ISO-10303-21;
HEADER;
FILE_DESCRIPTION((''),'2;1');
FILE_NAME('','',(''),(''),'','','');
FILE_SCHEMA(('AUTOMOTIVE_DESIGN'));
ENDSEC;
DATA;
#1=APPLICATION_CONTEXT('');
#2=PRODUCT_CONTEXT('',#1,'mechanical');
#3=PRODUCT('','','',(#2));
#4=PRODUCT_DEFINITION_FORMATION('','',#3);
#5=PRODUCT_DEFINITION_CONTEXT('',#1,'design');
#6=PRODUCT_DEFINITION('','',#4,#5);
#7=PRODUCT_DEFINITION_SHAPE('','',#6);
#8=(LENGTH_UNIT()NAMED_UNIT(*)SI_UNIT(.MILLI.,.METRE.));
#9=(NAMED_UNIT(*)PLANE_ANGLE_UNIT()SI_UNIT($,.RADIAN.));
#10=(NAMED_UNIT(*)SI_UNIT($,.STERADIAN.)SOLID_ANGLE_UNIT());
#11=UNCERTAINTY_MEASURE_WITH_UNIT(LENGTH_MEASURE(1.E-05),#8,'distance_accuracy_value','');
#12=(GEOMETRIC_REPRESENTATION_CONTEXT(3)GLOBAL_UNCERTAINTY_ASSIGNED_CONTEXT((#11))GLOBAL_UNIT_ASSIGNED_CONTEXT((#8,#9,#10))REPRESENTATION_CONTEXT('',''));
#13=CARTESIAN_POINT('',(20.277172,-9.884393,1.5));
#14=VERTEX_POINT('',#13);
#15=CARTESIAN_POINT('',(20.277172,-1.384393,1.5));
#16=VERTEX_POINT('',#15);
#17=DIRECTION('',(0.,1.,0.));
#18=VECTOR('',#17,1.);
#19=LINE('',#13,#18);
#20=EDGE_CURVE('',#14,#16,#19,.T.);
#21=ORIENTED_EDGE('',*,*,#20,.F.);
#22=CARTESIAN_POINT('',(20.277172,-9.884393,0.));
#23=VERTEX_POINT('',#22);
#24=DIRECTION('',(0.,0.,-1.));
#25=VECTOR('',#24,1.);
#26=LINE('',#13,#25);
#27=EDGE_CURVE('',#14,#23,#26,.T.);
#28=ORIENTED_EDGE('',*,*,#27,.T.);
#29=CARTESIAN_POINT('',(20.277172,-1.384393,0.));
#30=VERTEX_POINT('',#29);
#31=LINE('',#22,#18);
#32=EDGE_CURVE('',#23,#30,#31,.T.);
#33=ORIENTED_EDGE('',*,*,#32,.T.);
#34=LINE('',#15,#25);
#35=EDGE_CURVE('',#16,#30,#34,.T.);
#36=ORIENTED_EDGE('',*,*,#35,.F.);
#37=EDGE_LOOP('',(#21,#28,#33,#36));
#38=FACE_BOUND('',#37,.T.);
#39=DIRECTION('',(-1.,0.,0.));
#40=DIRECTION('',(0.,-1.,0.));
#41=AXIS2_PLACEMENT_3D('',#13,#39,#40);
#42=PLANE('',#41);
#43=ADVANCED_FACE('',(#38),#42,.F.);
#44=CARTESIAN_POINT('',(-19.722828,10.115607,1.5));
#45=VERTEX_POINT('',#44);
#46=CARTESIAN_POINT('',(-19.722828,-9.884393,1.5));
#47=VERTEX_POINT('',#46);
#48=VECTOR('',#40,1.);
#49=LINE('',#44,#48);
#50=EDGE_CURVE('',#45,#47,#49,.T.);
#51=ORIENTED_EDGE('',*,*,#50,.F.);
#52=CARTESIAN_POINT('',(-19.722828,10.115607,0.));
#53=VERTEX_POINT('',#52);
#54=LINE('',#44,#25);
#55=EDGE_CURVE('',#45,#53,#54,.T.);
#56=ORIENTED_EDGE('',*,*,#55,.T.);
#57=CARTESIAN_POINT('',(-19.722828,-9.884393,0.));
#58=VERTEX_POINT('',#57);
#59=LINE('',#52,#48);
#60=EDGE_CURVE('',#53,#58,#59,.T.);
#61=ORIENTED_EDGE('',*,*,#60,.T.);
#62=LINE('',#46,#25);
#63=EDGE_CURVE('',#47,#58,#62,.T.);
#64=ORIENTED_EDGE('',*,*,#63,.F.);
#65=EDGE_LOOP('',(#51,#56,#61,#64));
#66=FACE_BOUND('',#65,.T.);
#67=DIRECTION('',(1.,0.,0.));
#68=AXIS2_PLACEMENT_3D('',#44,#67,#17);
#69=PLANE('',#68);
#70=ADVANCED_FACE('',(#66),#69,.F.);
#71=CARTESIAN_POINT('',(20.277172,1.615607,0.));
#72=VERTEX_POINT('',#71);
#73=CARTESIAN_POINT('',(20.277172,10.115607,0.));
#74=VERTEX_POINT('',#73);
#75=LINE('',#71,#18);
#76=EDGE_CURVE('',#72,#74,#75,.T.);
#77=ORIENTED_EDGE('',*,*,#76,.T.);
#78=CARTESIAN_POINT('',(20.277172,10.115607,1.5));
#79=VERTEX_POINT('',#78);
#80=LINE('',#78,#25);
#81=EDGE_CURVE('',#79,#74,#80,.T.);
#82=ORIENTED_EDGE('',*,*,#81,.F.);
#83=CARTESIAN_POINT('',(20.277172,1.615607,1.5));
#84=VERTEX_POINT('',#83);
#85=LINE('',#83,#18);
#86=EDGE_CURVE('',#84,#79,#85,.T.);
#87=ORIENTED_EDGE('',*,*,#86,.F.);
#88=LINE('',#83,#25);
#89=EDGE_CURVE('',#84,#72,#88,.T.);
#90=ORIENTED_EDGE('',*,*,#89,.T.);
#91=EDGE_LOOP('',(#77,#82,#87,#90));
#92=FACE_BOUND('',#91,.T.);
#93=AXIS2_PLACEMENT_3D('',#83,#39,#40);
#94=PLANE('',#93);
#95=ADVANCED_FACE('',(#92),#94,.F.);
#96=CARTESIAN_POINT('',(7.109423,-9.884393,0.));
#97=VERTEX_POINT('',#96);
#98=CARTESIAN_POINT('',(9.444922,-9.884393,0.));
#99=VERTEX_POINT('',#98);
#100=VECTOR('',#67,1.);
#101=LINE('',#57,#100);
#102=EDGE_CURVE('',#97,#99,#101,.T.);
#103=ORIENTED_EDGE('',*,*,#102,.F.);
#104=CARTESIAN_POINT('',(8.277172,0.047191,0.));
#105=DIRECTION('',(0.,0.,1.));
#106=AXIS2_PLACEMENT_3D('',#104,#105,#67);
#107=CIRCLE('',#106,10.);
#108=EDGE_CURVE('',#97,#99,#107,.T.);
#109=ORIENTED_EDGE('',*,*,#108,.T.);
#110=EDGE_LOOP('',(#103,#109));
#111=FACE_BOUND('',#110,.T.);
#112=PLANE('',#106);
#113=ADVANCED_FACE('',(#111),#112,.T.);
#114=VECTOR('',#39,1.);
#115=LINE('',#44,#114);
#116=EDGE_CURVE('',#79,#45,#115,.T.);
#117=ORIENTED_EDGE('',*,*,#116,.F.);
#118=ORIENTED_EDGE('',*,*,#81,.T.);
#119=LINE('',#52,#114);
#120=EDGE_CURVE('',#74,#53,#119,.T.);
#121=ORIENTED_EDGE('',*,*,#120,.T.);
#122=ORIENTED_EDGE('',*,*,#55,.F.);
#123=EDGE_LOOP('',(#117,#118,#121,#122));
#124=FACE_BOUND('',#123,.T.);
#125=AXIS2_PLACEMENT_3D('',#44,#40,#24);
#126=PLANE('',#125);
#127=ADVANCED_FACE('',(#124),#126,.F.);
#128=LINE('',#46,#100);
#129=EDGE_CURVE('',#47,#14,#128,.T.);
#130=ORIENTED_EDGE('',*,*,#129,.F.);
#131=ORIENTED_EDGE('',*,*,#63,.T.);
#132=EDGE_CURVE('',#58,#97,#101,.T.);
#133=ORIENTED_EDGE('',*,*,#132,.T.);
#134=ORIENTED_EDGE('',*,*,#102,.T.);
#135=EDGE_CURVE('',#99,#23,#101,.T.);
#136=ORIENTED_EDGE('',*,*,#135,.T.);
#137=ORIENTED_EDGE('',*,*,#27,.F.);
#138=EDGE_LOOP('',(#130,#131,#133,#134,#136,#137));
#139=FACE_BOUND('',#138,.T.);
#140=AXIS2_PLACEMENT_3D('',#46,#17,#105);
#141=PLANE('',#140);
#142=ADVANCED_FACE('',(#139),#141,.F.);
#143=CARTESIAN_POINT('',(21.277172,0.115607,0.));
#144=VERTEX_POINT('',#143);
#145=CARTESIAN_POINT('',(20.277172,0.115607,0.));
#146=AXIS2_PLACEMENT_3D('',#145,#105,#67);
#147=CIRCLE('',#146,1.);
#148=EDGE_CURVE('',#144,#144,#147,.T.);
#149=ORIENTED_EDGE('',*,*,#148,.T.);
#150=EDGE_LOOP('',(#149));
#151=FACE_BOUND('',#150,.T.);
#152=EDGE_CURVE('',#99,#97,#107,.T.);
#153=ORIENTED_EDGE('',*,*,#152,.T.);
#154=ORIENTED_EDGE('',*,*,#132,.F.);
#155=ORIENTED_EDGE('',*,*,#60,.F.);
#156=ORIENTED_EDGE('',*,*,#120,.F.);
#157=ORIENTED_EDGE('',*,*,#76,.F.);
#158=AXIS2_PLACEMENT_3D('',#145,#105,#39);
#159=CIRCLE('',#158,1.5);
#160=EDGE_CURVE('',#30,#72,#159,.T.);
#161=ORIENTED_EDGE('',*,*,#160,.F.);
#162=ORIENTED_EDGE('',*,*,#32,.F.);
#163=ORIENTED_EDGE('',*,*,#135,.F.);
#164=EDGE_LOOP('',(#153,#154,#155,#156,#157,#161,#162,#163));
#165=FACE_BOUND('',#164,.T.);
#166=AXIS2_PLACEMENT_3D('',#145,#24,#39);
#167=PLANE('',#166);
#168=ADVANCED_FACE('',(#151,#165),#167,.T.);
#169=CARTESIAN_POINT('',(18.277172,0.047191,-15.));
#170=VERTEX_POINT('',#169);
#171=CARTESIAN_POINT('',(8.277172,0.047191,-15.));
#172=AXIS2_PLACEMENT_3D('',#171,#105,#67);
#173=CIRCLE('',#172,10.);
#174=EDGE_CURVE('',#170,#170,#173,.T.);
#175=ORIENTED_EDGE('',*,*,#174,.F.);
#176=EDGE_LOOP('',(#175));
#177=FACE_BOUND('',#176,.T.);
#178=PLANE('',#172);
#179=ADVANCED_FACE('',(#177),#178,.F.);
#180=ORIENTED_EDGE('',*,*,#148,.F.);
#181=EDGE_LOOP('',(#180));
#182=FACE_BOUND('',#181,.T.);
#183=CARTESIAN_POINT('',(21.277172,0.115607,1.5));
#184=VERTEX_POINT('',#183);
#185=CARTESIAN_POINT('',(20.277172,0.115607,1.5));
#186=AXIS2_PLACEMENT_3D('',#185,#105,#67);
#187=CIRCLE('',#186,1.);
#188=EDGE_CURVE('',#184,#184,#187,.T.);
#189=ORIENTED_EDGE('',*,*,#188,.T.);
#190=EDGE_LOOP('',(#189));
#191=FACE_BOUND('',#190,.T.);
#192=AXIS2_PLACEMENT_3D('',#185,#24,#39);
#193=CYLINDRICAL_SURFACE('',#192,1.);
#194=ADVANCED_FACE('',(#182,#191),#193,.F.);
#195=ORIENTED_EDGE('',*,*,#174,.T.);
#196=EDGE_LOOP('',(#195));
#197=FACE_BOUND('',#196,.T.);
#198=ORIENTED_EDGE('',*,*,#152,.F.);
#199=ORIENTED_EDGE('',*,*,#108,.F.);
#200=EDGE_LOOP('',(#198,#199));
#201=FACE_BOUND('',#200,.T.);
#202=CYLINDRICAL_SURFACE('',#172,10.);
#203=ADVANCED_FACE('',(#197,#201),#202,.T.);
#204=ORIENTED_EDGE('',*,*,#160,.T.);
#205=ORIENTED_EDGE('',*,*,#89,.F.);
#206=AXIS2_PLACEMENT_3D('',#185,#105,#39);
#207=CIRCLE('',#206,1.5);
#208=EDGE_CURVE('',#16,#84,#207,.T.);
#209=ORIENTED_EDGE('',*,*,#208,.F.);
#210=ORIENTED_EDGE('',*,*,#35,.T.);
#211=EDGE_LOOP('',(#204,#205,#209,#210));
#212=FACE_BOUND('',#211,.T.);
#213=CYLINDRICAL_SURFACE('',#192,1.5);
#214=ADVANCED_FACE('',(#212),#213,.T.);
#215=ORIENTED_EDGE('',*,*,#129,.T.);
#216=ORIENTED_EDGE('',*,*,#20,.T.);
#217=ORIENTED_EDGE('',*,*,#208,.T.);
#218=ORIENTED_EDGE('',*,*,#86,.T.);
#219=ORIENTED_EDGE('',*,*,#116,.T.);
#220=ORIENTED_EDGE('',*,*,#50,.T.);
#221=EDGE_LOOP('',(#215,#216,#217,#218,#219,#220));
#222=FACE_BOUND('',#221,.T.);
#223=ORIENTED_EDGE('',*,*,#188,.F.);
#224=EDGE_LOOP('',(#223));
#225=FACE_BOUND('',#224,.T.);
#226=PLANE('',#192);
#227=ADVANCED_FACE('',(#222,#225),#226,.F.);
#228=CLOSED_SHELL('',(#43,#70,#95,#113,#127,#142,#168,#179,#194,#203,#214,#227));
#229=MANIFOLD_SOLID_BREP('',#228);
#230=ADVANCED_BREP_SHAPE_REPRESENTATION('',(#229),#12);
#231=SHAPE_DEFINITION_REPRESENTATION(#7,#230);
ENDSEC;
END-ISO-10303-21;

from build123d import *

# Parameters (mm, degrees)
ESQUISSE1_R        = 1
BOSS_EXTRU_2_DEPTH = 1.5
ESQUISSE2_R        = 10
BOSS_EXTRU_3_DEPTH = 15


with BuildPart() as part:
    # Esquisse1 → Boss.-Extru.2 (new body)
    with BuildSketch(Plane.XY):
        with BuildLine():
            Line((20.277172368, -9.884393064), (20.277172368, -1.384393064))
            ThreePointArc((20.277172368, -1.384393064), (21.777172368, 0.115606936), (20.277172368, 1.615606936))
            Line((20.277172368, 1.615606936), (20.277172368, 10.115606936))
            Line((20.277172368, 10.115606936), (-19.722827632, 10.115606936))
            Line((-19.722827632, 10.115606936), (-19.722827632, -9.884393064))
            Line((-19.722827632, -9.884393064), (20.277172368, -9.884393064))
        make_face()
        with Locations((20.277172368, 0.115606936)):
            Circle(ESQUISSE1_R, mode=Mode.SUBTRACT)
    extrude(amount=BOSS_EXTRU_2_DEPTH)

    # Esquisse2 → Boss.-Extru.3 (add)
    with BuildSketch(Plane.XY):
        with Locations((8.277172368, 0.047190926)):
            Circle(ESQUISSE2_R)
    extrude(amount=-BOSS_EXTRU_3_DEPTH)


solid = part.part
